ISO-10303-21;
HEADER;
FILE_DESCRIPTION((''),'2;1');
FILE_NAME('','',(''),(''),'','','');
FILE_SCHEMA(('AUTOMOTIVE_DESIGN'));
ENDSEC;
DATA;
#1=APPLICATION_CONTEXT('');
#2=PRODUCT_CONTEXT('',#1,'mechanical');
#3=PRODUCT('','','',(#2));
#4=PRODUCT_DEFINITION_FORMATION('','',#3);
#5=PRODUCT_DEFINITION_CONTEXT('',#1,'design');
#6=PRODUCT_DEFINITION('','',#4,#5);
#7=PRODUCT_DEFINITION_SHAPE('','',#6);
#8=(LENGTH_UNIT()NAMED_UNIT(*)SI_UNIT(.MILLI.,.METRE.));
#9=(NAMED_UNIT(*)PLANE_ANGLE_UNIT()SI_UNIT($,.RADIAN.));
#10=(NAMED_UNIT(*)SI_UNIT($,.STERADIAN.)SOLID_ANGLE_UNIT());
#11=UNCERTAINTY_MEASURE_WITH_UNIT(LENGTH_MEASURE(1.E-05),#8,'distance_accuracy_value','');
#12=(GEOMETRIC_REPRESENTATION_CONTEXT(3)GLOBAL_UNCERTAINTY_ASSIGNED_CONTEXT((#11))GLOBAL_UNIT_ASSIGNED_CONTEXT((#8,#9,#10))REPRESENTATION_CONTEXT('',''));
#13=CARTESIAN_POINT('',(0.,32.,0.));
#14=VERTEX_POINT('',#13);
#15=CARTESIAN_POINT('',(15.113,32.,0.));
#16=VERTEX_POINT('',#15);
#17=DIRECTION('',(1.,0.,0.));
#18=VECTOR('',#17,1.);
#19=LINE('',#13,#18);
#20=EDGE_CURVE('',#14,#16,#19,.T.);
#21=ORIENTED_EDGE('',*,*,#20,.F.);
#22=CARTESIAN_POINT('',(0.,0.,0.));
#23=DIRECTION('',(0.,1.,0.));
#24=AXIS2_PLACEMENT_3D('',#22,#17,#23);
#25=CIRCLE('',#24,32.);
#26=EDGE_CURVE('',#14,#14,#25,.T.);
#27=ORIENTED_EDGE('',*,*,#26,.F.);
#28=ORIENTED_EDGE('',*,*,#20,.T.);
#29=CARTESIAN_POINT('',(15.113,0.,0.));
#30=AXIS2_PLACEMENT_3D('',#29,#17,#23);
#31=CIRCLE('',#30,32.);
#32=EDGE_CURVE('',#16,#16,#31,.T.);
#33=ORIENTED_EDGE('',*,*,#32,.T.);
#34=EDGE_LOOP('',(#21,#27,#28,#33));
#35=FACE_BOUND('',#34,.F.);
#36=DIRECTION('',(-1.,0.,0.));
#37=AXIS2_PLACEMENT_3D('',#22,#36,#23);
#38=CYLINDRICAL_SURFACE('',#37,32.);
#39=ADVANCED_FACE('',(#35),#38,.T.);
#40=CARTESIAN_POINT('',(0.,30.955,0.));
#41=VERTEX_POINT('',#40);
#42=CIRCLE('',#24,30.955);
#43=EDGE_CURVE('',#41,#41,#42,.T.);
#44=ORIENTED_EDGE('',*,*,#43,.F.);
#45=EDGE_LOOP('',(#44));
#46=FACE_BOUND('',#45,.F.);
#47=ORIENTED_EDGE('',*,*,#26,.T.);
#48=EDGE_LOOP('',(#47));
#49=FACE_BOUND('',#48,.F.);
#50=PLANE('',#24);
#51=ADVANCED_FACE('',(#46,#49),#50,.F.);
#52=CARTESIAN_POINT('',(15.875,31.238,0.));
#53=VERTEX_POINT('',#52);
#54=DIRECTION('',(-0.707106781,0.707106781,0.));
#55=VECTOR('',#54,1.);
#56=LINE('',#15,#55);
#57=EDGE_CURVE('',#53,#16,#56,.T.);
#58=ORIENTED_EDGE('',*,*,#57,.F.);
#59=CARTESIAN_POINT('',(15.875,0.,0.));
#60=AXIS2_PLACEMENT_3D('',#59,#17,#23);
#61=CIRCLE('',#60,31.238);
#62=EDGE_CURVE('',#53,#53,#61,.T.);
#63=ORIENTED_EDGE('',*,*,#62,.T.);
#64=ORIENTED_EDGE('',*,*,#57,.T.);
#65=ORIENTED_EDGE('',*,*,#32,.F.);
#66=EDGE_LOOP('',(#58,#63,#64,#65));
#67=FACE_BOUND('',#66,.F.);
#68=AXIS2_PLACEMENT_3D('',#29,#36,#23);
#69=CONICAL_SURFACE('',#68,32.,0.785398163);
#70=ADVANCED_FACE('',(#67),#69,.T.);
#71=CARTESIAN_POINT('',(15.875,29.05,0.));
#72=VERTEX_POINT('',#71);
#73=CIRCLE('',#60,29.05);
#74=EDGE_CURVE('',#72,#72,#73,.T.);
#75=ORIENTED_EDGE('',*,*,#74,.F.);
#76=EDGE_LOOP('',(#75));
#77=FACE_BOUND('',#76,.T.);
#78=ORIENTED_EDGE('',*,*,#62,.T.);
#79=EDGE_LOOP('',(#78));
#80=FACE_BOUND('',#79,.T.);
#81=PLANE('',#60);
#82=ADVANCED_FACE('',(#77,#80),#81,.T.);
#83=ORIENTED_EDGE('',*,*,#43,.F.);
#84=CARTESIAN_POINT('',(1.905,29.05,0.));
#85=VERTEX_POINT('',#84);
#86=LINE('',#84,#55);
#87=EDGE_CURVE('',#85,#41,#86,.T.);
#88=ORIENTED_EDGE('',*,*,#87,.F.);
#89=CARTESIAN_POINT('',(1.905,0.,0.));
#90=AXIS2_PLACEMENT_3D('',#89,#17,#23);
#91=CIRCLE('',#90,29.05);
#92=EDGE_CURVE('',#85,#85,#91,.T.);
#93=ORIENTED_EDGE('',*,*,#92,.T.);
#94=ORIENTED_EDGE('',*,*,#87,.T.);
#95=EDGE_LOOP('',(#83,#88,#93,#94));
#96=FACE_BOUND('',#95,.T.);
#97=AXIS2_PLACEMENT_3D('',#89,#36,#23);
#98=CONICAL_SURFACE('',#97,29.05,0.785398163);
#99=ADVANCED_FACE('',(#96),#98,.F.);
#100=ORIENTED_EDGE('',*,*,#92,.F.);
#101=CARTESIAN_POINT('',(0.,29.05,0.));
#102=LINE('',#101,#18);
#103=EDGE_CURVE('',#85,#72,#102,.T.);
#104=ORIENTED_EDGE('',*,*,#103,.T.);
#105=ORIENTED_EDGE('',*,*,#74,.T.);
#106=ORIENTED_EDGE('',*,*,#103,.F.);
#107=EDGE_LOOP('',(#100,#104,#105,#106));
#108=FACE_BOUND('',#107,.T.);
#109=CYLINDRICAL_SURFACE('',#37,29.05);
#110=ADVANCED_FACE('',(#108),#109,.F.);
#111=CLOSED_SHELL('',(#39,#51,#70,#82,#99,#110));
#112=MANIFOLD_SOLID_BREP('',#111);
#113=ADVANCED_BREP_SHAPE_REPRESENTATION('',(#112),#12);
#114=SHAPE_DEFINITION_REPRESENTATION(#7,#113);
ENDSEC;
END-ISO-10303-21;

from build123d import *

# Parameters (mm, degrees)
F0_R     = 32
F0_R_2   = 29.05
F1_DEPTH = 15.875
F2_SIZE  = 1.905
F3_SIZE  = 0.762


with BuildPart() as f1:
    # F0 (on Right) → F1 (new body)
    with BuildSketch(Plane.YZ):
        Circle(F0_R)
        Circle(F0_R_2, mode=Mode.SUBTRACT)
    extrude(amount=F1_DEPTH)

    # F2
    f2_edges = [f1.edges().sort_by_distance(p)[0] for p in [
        (0, -29.05, 0),
    ]]
    chamfer(f2_edges, length=F2_SIZE)

    # F3
    f3_edges = [f1.edges().sort_by_distance(p)[0] for p in [
        (15.875, -32, 0),
    ]]
    chamfer(f3_edges, length=F3_SIZE)


solid = f1.part
